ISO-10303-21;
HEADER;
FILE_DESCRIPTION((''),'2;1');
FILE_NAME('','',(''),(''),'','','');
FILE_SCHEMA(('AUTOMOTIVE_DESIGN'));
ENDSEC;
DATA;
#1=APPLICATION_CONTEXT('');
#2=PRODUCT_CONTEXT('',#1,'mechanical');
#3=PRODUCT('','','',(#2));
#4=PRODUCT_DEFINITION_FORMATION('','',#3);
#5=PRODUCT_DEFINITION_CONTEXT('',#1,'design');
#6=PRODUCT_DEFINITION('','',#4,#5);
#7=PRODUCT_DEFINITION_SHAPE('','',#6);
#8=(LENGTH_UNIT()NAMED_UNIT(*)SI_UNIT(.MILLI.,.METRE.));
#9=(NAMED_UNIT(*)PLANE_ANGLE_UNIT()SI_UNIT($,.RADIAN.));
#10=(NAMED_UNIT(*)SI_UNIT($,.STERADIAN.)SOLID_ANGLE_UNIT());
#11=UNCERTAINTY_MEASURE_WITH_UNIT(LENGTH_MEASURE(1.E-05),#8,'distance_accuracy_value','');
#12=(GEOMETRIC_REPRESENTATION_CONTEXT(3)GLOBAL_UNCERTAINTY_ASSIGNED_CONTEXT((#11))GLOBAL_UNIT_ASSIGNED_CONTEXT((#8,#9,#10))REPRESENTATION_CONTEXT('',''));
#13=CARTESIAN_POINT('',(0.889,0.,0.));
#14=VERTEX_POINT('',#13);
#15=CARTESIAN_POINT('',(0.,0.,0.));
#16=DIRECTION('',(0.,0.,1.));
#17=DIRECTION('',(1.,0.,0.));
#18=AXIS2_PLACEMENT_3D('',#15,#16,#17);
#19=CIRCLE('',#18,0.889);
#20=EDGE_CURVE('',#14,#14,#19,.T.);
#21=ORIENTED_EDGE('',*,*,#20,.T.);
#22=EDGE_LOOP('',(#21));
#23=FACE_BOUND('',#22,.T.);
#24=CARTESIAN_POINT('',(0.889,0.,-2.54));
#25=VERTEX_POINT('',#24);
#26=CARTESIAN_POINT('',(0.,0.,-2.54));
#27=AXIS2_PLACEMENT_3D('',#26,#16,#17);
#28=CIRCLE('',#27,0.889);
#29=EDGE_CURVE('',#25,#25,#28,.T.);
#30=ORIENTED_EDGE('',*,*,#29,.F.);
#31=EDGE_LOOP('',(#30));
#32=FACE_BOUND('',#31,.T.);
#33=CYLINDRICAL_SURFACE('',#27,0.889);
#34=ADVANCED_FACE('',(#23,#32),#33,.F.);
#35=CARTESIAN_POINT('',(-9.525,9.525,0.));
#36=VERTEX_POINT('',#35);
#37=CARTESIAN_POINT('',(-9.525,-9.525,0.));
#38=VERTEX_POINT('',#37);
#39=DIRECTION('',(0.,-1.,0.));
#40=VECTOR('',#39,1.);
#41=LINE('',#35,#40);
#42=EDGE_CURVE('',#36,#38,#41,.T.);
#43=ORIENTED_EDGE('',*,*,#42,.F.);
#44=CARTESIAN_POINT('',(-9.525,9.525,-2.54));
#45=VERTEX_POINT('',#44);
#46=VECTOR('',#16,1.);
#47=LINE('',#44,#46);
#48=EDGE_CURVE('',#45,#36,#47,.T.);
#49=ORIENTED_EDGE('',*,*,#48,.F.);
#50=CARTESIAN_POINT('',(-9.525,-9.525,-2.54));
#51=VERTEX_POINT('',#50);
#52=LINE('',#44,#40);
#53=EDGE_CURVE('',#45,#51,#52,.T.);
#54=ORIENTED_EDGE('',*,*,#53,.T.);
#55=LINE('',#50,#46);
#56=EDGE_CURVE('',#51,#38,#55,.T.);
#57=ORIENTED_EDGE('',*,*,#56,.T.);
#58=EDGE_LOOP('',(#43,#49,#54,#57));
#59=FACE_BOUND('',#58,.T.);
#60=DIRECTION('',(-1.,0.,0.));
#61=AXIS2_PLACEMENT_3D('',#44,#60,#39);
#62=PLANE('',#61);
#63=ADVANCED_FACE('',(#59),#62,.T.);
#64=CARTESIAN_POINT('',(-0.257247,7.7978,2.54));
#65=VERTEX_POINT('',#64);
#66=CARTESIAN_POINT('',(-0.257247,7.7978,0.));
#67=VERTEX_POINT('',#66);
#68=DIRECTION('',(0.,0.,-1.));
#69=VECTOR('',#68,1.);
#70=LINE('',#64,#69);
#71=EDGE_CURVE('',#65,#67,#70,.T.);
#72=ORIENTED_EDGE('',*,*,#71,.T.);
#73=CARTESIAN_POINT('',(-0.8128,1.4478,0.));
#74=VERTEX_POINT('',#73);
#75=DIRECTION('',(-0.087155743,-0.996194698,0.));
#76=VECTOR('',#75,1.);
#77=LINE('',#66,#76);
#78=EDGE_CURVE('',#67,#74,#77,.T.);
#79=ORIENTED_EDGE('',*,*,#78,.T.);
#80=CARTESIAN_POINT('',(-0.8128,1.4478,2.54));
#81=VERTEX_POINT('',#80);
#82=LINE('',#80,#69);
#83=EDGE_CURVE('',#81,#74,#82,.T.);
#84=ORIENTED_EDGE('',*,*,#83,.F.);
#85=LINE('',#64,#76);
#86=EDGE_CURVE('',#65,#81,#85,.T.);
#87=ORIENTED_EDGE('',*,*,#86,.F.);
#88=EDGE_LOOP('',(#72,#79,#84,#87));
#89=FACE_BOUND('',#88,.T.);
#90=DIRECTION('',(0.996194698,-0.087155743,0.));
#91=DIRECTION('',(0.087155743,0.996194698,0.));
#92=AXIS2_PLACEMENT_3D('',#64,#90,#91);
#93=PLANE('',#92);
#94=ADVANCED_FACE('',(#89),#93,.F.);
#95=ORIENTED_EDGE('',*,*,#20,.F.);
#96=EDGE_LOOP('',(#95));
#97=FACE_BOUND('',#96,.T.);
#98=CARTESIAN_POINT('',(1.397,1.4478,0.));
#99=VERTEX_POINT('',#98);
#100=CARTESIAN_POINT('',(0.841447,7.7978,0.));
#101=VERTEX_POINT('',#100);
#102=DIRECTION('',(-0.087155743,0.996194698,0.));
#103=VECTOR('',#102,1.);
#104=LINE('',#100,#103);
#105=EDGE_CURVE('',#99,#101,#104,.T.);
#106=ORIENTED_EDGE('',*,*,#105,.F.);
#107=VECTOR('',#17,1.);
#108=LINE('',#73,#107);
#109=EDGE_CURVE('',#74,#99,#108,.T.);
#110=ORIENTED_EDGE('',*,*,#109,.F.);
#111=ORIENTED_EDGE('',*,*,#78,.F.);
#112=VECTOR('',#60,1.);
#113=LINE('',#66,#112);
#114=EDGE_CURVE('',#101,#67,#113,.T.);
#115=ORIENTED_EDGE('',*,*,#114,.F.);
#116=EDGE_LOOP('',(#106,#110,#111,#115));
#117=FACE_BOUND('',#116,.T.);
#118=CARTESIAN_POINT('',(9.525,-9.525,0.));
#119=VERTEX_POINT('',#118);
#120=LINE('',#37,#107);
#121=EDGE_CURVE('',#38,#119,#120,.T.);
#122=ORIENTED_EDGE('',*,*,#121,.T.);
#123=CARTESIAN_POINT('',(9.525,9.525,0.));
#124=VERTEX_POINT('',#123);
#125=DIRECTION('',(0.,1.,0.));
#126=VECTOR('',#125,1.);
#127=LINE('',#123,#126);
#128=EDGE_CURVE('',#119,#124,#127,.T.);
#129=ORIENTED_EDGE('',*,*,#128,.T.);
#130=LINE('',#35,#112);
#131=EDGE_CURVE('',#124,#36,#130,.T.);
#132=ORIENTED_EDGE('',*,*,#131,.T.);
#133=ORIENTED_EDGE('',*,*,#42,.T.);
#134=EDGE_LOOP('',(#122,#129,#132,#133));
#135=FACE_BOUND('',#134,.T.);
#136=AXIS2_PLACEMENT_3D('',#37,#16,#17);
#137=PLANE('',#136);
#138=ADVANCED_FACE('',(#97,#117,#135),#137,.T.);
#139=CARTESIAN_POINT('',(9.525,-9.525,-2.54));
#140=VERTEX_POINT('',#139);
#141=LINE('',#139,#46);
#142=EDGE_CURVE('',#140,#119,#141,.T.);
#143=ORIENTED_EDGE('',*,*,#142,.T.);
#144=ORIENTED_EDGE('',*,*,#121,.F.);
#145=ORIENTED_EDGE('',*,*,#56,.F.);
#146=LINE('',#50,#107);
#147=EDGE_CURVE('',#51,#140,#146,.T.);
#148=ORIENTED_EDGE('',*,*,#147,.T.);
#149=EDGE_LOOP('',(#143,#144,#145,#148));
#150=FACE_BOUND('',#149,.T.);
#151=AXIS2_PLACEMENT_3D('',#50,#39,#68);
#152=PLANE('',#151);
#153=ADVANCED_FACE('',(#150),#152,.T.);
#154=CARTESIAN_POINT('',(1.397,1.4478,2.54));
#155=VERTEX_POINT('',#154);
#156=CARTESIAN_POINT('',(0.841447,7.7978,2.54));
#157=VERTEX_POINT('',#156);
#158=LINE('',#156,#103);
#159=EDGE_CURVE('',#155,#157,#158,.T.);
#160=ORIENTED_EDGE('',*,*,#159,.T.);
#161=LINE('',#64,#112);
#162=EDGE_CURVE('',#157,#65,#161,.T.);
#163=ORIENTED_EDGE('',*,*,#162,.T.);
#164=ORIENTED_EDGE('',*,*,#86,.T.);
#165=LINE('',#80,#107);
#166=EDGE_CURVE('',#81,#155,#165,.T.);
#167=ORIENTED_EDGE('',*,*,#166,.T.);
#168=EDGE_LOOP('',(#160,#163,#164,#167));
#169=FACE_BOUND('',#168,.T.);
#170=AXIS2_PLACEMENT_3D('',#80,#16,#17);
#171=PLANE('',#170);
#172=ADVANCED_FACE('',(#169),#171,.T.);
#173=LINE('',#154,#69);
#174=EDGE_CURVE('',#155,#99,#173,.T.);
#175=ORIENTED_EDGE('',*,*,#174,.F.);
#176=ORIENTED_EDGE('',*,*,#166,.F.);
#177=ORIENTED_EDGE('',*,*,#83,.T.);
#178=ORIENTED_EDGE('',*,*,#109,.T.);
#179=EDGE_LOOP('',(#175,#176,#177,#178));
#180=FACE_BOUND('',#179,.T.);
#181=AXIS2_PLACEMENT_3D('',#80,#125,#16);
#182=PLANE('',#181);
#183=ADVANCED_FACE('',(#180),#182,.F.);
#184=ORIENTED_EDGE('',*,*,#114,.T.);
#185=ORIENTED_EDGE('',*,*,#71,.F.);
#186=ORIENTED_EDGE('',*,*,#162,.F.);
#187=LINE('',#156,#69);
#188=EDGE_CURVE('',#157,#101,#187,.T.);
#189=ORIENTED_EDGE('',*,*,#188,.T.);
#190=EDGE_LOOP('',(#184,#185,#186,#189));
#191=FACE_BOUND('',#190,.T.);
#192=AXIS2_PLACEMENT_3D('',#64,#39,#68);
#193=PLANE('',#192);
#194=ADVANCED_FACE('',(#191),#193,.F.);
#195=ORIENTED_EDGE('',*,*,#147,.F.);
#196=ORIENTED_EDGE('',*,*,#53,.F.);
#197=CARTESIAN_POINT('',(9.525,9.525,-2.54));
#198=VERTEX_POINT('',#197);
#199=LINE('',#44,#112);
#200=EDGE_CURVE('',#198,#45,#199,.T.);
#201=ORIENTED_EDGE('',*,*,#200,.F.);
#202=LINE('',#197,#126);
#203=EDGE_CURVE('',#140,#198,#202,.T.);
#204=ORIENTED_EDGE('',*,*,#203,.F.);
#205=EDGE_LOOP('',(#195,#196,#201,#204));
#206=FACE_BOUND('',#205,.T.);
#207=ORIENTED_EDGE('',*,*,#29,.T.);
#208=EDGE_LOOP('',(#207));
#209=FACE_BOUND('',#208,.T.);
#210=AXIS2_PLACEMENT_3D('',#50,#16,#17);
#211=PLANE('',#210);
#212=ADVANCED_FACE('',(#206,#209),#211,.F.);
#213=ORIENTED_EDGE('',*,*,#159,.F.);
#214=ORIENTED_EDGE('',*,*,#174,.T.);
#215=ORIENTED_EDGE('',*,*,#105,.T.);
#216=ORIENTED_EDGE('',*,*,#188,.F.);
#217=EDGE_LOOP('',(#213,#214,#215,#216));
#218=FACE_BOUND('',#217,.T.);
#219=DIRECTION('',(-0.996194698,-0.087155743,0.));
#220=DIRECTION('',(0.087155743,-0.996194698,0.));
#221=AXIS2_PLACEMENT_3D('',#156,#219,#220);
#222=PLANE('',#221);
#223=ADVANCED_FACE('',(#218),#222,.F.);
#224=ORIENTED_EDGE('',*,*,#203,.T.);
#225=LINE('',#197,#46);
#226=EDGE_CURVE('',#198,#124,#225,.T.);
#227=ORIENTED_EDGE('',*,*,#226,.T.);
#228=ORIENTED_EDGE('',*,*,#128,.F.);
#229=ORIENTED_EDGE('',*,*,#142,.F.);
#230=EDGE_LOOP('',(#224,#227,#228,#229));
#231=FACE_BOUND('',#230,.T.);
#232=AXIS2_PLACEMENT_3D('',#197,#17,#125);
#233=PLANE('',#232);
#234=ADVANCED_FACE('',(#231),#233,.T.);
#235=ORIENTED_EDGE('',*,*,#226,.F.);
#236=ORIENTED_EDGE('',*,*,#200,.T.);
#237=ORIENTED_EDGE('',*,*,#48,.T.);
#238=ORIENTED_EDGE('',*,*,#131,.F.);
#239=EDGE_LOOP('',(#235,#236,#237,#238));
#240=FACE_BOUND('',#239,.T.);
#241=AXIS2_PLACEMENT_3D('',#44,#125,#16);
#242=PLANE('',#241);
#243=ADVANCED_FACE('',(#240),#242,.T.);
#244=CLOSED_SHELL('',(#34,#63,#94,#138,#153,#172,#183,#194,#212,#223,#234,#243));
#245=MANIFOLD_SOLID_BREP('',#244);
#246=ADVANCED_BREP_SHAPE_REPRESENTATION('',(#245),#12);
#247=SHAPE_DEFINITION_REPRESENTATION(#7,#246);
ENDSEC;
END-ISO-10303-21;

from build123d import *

# Parameters (mm, degrees)
SKETCH1_W      = 19.05
SKETCH1_H      = 19.05
SKETCH1_R      = 0.889
EXTRUDE1_DEPTH = 2.54
EXTRUDE2_DEPTH = 2.54


with BuildPart() as part:
    # Sketch1 → Extrude1 (new body)
    with BuildSketch(Plane.XY):
        Rectangle(SKETCH1_W, SKETCH1_H)
        Circle(SKETCH1_R, mode=Mode.SUBTRACT)
    extrude(amount=-EXTRUDE1_DEPTH)

    # Sketch2 → Extrude2 (add)
    with BuildSketch(Plane.XY):
        Polygon((0.841446987, 7.7978), (1.397, 1.4478), (-0.8128, 1.4478), (-0.257246987, 7.7978), align=None)
    extrude(amount=EXTRUDE2_DEPTH)


solid = part.part
